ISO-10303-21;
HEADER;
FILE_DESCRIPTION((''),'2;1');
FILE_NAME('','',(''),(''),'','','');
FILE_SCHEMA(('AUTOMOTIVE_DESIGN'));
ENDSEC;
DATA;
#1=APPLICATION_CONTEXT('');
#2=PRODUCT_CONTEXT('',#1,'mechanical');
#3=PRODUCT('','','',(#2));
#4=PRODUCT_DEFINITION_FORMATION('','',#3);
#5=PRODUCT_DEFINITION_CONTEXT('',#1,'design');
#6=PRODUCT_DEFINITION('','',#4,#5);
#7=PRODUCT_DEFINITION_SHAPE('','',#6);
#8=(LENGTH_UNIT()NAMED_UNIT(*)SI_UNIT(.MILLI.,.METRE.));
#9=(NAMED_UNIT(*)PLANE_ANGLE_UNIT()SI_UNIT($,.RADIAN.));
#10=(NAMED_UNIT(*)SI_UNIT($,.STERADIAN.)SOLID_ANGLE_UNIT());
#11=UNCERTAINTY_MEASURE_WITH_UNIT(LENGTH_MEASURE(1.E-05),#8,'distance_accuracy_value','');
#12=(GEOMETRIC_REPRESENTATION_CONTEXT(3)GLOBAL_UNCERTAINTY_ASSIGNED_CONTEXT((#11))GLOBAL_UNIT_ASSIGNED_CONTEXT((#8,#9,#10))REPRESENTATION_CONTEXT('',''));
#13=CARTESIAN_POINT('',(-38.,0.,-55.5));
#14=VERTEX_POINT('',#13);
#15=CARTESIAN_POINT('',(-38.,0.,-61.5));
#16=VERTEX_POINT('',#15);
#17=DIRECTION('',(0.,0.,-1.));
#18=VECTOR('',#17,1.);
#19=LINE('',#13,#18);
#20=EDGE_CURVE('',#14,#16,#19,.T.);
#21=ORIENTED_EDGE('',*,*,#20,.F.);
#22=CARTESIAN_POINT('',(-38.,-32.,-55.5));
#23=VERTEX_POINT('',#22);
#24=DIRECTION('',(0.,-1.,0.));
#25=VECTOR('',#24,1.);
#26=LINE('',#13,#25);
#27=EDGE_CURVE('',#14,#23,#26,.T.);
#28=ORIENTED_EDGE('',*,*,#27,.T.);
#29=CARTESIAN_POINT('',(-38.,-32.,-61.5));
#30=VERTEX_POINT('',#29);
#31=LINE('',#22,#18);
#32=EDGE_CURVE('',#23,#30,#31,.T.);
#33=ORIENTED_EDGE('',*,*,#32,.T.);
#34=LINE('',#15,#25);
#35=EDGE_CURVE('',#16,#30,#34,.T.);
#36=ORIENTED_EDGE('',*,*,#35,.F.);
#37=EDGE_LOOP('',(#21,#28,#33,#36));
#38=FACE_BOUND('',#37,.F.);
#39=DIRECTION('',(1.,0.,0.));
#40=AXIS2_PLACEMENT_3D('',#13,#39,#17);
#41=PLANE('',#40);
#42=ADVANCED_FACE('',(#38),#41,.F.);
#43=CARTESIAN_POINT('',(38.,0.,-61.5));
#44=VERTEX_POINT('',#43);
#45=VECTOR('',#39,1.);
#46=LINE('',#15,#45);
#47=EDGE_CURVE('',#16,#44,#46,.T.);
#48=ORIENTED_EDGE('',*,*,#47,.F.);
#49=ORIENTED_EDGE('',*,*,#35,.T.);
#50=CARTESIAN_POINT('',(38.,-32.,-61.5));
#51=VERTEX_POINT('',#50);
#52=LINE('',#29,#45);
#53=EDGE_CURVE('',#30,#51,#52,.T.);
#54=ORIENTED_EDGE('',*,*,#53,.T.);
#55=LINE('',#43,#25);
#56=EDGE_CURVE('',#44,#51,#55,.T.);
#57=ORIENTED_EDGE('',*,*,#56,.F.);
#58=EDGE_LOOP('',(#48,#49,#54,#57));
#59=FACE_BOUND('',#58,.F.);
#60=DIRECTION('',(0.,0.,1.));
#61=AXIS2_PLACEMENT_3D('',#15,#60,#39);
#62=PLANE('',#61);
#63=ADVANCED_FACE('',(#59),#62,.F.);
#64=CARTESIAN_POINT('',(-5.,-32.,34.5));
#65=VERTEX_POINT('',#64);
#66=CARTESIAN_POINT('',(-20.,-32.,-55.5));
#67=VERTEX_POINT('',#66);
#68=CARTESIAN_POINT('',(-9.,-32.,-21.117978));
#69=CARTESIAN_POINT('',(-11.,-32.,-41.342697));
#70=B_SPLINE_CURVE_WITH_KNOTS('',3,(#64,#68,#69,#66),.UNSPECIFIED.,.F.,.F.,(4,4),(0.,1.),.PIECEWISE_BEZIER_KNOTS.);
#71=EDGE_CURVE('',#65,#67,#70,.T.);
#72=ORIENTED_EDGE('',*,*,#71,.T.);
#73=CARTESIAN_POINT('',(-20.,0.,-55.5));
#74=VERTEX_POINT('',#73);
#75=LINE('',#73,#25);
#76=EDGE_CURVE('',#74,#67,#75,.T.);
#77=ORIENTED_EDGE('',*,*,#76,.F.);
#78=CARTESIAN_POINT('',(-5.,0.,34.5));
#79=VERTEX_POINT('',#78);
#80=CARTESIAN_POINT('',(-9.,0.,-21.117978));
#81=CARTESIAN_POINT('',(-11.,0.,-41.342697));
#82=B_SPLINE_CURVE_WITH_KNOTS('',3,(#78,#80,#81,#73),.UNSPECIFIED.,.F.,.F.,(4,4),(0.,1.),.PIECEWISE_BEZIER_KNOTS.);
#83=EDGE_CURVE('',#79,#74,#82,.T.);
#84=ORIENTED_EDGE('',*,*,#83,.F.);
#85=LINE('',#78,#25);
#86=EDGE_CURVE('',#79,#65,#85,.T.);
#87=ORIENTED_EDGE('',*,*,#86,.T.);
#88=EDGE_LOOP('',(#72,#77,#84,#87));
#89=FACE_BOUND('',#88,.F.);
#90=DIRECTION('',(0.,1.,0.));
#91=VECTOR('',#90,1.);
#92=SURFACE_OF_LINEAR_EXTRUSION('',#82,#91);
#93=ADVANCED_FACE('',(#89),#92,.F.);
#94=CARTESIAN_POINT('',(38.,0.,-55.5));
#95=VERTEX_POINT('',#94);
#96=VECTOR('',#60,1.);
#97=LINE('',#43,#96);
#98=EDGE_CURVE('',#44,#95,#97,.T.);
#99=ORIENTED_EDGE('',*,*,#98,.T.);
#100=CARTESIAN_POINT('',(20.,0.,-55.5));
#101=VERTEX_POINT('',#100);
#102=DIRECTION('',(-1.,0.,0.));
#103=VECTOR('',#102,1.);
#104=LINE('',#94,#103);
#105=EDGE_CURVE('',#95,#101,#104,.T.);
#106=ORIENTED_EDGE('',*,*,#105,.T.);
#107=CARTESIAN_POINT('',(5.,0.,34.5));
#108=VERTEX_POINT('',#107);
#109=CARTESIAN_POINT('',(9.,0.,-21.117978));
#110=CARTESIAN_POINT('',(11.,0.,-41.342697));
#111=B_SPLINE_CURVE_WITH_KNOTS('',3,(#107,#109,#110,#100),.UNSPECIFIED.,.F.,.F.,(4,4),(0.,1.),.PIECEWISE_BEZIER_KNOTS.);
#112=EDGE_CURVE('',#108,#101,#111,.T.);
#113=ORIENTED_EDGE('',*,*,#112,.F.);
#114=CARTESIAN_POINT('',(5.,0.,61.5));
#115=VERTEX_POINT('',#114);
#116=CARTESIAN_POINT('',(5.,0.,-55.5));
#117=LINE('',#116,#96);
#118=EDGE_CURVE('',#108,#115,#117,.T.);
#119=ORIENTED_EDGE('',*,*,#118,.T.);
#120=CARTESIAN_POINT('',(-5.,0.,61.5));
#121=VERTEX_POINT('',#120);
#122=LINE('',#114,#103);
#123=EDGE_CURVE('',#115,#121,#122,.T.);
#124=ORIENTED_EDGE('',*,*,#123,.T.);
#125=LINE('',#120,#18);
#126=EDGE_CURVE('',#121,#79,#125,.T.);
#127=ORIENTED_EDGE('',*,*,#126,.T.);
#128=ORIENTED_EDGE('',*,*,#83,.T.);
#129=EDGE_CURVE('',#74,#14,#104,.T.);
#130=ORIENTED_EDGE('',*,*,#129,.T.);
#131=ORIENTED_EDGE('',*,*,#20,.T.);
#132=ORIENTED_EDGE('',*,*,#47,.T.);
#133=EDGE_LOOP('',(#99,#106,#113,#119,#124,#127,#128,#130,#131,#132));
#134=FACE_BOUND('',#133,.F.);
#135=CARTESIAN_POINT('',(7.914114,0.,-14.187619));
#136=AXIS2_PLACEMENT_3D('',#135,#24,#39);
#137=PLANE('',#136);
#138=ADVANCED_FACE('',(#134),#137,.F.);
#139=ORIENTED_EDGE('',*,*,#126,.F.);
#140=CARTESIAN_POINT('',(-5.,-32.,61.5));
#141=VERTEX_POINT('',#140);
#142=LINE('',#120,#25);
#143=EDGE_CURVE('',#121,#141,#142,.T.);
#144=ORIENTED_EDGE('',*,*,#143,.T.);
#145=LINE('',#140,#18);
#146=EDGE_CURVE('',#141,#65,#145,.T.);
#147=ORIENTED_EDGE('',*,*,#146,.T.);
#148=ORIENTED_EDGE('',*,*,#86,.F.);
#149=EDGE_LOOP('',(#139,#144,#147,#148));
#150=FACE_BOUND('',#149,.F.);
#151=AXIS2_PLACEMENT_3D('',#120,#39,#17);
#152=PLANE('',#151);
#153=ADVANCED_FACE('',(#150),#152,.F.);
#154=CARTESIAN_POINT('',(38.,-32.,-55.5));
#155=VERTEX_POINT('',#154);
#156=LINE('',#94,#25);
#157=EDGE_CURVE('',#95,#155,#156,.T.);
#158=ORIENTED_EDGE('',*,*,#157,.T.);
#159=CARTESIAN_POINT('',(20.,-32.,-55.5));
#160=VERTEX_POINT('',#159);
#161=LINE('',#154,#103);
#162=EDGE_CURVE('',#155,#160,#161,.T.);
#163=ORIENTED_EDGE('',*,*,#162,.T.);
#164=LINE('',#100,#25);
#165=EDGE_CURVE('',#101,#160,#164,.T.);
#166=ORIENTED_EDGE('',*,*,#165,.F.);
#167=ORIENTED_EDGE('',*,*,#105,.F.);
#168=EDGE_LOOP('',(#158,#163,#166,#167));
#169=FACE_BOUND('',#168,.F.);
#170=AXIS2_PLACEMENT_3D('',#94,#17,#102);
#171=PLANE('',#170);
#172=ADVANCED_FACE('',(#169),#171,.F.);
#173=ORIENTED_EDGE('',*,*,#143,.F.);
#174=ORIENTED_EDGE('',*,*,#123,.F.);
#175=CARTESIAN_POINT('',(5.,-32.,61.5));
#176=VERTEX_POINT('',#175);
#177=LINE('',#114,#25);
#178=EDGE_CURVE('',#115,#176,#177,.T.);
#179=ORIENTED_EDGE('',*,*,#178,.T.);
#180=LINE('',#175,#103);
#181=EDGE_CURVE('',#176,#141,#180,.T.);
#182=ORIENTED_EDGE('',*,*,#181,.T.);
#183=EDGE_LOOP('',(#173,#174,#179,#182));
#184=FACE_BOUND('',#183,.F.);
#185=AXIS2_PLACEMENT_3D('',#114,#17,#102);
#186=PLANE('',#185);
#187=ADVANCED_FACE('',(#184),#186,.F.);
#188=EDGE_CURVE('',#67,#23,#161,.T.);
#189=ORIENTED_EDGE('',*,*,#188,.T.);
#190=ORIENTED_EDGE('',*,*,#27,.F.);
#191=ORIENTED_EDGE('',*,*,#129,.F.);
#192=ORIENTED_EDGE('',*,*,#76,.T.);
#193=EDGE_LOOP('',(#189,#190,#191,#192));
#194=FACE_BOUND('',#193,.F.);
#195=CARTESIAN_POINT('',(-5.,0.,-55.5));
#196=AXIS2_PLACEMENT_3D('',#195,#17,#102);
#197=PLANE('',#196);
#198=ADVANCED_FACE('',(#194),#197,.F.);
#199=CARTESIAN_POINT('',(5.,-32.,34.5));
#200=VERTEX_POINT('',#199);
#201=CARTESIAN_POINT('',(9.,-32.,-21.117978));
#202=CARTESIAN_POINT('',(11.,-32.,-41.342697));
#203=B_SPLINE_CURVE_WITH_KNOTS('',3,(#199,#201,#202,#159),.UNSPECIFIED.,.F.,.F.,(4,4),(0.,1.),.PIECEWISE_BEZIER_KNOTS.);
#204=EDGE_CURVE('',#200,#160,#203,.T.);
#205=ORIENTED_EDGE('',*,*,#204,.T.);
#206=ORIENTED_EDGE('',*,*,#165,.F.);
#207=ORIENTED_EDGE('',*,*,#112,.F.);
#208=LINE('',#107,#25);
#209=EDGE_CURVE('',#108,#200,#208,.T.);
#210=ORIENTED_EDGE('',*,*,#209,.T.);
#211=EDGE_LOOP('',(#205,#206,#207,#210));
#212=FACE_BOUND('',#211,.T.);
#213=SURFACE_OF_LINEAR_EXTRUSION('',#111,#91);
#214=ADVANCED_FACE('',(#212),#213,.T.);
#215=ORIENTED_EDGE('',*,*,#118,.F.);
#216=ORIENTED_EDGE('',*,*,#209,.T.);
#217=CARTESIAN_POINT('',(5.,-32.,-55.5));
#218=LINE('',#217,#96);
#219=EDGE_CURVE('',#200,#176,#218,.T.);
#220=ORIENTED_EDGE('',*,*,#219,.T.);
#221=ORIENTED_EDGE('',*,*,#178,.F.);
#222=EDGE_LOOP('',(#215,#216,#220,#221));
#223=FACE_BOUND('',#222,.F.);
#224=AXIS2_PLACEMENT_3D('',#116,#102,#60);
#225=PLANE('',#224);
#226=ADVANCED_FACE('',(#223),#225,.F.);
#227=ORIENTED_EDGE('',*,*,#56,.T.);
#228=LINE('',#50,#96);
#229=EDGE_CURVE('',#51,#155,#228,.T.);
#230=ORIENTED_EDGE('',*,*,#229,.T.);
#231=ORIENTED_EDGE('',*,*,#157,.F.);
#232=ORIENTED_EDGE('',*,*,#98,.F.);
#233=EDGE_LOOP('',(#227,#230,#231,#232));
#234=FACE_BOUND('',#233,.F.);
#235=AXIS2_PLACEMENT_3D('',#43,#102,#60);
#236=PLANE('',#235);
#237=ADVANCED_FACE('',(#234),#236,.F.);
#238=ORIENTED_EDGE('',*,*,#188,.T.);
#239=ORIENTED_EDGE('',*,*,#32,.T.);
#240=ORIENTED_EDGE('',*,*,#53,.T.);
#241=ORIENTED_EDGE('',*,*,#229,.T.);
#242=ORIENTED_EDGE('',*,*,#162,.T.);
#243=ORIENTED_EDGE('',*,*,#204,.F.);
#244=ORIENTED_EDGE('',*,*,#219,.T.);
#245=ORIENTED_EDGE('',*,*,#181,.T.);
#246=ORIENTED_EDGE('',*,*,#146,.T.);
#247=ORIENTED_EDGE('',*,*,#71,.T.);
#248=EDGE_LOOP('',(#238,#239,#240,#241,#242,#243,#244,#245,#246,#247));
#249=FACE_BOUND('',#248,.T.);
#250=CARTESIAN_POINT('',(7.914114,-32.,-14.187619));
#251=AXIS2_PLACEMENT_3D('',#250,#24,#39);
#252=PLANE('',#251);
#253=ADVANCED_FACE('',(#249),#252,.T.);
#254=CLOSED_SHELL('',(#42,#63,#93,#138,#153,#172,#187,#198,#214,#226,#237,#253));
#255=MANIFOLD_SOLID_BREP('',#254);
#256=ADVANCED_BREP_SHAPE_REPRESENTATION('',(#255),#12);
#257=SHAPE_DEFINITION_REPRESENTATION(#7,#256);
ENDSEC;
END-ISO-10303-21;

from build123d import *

# Parameters (mm, degrees)
F1_DEPTH = 32
F3_DEPTH = 32


with BuildPart() as f1:
    # F0 (on Front) → F1 (new body)
    with BuildSketch(Plane.XZ):
        Polygon((-38, -55.5), (-38, -61.5), (38, -61.5), (38, -55.5), (20, -55.5), (5, -55.5), (-5, -55.5), (-20, -55.5), align=None)
        Polygon((-5, 34.5), (-5, -55.5), (5, -55.5), (5, 34.5), (5, 61.5), (-5, 61.5), align=None)
    extrude(amount=F1_DEPTH)

    # F2 (on Front) → F3 (join)
    with BuildSketch(Plane.XZ):
        with BuildLine():
            Line((5, -55.5), (20, -55.5))
            add(Edge.make_bspline(
                [(5, 34.5), (9, -21.117978), (11, -41.342697), (20, -55.5)],
                knots=[0, 0, 0, 0, 1, 1, 1, 1], degree=3))
            Line((5, 34.5), (5, -55.5))
        make_face()
        with BuildLine():
            add(Edge.make_bspline(
                [(-5, 34.5), (-9, -21.117978), (-11, -41.342697), (-20, -55.5)],
                knots=[0, 0, 0, 0, 1, 1, 1, 1], degree=3))
            Line((-20, -55.5), (-5, -55.5))
            Line((-5, -55.5), (-5, 34.5))
        make_face()
    extrude(amount=F3_DEPTH)


solid = f1.part
